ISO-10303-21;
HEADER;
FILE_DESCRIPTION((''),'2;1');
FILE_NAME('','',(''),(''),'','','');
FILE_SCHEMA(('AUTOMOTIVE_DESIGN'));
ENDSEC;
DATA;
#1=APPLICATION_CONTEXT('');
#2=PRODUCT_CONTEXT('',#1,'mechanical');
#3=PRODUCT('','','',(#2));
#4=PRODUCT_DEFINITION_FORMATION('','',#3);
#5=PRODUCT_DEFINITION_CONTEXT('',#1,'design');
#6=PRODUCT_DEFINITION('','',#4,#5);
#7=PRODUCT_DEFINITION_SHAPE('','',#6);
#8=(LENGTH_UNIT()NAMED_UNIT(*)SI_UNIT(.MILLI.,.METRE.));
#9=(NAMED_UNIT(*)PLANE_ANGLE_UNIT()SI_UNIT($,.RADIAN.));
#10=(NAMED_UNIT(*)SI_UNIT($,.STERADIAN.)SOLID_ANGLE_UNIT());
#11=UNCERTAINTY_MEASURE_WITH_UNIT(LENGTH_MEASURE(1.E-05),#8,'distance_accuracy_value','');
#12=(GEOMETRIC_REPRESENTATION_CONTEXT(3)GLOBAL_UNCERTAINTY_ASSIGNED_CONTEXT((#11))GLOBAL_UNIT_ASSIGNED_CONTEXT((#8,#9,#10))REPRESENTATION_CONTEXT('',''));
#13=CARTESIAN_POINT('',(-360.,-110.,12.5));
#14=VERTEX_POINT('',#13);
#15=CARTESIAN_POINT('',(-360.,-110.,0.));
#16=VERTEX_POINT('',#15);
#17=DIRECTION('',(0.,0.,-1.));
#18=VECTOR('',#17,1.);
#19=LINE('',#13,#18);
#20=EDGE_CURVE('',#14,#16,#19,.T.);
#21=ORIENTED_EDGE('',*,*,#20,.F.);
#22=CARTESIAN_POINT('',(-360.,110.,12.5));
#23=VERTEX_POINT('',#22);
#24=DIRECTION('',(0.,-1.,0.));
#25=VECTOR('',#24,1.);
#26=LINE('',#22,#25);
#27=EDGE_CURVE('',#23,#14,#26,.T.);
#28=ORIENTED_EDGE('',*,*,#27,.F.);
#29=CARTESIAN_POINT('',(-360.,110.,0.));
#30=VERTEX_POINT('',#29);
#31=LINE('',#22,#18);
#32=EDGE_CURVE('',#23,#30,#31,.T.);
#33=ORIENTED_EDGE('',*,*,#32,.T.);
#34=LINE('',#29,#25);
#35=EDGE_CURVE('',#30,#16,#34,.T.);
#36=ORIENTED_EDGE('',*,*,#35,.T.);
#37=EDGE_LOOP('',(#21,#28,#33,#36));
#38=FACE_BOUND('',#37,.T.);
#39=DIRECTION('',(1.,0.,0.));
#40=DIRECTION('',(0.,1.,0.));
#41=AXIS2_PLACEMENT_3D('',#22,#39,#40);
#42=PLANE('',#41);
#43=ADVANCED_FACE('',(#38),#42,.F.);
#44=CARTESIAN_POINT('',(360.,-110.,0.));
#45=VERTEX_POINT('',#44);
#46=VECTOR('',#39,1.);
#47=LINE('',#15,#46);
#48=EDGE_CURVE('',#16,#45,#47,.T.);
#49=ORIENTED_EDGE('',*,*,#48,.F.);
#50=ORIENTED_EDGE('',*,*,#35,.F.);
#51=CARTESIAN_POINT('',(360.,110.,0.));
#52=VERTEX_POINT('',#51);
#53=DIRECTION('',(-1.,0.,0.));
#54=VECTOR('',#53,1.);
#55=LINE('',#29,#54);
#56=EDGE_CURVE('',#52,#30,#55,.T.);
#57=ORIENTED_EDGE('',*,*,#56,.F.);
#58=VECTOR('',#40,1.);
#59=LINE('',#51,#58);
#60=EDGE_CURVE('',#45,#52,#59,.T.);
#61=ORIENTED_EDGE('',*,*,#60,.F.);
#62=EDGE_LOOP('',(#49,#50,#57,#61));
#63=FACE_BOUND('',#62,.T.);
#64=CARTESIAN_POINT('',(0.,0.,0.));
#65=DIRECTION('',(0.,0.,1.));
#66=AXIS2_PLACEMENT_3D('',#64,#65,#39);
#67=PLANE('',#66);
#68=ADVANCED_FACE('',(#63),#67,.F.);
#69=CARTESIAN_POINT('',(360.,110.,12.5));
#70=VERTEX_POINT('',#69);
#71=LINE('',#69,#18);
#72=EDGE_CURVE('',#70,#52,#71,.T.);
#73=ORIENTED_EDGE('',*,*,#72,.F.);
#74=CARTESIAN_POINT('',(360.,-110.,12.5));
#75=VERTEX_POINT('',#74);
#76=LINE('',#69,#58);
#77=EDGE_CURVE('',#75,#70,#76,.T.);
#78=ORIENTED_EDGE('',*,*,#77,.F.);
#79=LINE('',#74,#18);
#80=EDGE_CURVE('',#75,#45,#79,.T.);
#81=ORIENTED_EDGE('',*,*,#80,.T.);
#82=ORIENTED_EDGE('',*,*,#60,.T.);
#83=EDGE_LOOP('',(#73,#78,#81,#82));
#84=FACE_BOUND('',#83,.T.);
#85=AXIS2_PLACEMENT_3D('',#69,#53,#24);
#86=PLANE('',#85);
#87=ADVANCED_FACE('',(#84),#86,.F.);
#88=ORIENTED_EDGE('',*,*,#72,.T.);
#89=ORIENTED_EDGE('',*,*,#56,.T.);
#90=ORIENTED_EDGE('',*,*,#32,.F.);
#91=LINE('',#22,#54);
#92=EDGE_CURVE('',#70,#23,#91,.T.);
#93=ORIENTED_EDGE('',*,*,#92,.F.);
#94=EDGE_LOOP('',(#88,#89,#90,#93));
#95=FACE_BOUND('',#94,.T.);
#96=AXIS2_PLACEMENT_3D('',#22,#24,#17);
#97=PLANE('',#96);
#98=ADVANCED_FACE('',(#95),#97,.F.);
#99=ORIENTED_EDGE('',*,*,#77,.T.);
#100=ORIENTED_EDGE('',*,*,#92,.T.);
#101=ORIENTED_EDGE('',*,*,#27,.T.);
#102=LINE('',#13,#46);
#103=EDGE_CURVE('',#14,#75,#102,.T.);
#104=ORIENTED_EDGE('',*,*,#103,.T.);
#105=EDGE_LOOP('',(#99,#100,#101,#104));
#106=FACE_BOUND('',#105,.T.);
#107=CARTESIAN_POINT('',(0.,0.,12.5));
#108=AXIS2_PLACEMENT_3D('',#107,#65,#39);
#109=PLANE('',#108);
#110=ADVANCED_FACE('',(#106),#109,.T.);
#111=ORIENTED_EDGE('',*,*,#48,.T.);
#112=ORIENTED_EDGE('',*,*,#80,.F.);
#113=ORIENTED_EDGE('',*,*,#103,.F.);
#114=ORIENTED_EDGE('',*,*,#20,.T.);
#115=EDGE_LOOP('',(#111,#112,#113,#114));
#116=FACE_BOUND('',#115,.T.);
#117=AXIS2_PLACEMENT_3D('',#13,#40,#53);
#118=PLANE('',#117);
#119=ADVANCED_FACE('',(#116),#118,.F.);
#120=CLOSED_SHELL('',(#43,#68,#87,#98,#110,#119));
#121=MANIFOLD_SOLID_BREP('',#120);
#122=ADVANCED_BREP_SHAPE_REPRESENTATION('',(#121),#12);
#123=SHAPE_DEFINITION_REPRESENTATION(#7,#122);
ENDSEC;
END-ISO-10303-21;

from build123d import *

# Parameters (mm, degrees)
SKETCH1_W           = 720
SKETCH1_H           = 220
BOSS_EXTRUDE1_DEPTH = 12.5


with BuildPart() as part:
    # Sketch1 → Boss-Extrude1 (new body)
    with BuildSketch(Plane.XY):
        Rectangle(SKETCH1_W, SKETCH1_H)
    extrude(amount=BOSS_EXTRUDE1_DEPTH)


solid = part.part
